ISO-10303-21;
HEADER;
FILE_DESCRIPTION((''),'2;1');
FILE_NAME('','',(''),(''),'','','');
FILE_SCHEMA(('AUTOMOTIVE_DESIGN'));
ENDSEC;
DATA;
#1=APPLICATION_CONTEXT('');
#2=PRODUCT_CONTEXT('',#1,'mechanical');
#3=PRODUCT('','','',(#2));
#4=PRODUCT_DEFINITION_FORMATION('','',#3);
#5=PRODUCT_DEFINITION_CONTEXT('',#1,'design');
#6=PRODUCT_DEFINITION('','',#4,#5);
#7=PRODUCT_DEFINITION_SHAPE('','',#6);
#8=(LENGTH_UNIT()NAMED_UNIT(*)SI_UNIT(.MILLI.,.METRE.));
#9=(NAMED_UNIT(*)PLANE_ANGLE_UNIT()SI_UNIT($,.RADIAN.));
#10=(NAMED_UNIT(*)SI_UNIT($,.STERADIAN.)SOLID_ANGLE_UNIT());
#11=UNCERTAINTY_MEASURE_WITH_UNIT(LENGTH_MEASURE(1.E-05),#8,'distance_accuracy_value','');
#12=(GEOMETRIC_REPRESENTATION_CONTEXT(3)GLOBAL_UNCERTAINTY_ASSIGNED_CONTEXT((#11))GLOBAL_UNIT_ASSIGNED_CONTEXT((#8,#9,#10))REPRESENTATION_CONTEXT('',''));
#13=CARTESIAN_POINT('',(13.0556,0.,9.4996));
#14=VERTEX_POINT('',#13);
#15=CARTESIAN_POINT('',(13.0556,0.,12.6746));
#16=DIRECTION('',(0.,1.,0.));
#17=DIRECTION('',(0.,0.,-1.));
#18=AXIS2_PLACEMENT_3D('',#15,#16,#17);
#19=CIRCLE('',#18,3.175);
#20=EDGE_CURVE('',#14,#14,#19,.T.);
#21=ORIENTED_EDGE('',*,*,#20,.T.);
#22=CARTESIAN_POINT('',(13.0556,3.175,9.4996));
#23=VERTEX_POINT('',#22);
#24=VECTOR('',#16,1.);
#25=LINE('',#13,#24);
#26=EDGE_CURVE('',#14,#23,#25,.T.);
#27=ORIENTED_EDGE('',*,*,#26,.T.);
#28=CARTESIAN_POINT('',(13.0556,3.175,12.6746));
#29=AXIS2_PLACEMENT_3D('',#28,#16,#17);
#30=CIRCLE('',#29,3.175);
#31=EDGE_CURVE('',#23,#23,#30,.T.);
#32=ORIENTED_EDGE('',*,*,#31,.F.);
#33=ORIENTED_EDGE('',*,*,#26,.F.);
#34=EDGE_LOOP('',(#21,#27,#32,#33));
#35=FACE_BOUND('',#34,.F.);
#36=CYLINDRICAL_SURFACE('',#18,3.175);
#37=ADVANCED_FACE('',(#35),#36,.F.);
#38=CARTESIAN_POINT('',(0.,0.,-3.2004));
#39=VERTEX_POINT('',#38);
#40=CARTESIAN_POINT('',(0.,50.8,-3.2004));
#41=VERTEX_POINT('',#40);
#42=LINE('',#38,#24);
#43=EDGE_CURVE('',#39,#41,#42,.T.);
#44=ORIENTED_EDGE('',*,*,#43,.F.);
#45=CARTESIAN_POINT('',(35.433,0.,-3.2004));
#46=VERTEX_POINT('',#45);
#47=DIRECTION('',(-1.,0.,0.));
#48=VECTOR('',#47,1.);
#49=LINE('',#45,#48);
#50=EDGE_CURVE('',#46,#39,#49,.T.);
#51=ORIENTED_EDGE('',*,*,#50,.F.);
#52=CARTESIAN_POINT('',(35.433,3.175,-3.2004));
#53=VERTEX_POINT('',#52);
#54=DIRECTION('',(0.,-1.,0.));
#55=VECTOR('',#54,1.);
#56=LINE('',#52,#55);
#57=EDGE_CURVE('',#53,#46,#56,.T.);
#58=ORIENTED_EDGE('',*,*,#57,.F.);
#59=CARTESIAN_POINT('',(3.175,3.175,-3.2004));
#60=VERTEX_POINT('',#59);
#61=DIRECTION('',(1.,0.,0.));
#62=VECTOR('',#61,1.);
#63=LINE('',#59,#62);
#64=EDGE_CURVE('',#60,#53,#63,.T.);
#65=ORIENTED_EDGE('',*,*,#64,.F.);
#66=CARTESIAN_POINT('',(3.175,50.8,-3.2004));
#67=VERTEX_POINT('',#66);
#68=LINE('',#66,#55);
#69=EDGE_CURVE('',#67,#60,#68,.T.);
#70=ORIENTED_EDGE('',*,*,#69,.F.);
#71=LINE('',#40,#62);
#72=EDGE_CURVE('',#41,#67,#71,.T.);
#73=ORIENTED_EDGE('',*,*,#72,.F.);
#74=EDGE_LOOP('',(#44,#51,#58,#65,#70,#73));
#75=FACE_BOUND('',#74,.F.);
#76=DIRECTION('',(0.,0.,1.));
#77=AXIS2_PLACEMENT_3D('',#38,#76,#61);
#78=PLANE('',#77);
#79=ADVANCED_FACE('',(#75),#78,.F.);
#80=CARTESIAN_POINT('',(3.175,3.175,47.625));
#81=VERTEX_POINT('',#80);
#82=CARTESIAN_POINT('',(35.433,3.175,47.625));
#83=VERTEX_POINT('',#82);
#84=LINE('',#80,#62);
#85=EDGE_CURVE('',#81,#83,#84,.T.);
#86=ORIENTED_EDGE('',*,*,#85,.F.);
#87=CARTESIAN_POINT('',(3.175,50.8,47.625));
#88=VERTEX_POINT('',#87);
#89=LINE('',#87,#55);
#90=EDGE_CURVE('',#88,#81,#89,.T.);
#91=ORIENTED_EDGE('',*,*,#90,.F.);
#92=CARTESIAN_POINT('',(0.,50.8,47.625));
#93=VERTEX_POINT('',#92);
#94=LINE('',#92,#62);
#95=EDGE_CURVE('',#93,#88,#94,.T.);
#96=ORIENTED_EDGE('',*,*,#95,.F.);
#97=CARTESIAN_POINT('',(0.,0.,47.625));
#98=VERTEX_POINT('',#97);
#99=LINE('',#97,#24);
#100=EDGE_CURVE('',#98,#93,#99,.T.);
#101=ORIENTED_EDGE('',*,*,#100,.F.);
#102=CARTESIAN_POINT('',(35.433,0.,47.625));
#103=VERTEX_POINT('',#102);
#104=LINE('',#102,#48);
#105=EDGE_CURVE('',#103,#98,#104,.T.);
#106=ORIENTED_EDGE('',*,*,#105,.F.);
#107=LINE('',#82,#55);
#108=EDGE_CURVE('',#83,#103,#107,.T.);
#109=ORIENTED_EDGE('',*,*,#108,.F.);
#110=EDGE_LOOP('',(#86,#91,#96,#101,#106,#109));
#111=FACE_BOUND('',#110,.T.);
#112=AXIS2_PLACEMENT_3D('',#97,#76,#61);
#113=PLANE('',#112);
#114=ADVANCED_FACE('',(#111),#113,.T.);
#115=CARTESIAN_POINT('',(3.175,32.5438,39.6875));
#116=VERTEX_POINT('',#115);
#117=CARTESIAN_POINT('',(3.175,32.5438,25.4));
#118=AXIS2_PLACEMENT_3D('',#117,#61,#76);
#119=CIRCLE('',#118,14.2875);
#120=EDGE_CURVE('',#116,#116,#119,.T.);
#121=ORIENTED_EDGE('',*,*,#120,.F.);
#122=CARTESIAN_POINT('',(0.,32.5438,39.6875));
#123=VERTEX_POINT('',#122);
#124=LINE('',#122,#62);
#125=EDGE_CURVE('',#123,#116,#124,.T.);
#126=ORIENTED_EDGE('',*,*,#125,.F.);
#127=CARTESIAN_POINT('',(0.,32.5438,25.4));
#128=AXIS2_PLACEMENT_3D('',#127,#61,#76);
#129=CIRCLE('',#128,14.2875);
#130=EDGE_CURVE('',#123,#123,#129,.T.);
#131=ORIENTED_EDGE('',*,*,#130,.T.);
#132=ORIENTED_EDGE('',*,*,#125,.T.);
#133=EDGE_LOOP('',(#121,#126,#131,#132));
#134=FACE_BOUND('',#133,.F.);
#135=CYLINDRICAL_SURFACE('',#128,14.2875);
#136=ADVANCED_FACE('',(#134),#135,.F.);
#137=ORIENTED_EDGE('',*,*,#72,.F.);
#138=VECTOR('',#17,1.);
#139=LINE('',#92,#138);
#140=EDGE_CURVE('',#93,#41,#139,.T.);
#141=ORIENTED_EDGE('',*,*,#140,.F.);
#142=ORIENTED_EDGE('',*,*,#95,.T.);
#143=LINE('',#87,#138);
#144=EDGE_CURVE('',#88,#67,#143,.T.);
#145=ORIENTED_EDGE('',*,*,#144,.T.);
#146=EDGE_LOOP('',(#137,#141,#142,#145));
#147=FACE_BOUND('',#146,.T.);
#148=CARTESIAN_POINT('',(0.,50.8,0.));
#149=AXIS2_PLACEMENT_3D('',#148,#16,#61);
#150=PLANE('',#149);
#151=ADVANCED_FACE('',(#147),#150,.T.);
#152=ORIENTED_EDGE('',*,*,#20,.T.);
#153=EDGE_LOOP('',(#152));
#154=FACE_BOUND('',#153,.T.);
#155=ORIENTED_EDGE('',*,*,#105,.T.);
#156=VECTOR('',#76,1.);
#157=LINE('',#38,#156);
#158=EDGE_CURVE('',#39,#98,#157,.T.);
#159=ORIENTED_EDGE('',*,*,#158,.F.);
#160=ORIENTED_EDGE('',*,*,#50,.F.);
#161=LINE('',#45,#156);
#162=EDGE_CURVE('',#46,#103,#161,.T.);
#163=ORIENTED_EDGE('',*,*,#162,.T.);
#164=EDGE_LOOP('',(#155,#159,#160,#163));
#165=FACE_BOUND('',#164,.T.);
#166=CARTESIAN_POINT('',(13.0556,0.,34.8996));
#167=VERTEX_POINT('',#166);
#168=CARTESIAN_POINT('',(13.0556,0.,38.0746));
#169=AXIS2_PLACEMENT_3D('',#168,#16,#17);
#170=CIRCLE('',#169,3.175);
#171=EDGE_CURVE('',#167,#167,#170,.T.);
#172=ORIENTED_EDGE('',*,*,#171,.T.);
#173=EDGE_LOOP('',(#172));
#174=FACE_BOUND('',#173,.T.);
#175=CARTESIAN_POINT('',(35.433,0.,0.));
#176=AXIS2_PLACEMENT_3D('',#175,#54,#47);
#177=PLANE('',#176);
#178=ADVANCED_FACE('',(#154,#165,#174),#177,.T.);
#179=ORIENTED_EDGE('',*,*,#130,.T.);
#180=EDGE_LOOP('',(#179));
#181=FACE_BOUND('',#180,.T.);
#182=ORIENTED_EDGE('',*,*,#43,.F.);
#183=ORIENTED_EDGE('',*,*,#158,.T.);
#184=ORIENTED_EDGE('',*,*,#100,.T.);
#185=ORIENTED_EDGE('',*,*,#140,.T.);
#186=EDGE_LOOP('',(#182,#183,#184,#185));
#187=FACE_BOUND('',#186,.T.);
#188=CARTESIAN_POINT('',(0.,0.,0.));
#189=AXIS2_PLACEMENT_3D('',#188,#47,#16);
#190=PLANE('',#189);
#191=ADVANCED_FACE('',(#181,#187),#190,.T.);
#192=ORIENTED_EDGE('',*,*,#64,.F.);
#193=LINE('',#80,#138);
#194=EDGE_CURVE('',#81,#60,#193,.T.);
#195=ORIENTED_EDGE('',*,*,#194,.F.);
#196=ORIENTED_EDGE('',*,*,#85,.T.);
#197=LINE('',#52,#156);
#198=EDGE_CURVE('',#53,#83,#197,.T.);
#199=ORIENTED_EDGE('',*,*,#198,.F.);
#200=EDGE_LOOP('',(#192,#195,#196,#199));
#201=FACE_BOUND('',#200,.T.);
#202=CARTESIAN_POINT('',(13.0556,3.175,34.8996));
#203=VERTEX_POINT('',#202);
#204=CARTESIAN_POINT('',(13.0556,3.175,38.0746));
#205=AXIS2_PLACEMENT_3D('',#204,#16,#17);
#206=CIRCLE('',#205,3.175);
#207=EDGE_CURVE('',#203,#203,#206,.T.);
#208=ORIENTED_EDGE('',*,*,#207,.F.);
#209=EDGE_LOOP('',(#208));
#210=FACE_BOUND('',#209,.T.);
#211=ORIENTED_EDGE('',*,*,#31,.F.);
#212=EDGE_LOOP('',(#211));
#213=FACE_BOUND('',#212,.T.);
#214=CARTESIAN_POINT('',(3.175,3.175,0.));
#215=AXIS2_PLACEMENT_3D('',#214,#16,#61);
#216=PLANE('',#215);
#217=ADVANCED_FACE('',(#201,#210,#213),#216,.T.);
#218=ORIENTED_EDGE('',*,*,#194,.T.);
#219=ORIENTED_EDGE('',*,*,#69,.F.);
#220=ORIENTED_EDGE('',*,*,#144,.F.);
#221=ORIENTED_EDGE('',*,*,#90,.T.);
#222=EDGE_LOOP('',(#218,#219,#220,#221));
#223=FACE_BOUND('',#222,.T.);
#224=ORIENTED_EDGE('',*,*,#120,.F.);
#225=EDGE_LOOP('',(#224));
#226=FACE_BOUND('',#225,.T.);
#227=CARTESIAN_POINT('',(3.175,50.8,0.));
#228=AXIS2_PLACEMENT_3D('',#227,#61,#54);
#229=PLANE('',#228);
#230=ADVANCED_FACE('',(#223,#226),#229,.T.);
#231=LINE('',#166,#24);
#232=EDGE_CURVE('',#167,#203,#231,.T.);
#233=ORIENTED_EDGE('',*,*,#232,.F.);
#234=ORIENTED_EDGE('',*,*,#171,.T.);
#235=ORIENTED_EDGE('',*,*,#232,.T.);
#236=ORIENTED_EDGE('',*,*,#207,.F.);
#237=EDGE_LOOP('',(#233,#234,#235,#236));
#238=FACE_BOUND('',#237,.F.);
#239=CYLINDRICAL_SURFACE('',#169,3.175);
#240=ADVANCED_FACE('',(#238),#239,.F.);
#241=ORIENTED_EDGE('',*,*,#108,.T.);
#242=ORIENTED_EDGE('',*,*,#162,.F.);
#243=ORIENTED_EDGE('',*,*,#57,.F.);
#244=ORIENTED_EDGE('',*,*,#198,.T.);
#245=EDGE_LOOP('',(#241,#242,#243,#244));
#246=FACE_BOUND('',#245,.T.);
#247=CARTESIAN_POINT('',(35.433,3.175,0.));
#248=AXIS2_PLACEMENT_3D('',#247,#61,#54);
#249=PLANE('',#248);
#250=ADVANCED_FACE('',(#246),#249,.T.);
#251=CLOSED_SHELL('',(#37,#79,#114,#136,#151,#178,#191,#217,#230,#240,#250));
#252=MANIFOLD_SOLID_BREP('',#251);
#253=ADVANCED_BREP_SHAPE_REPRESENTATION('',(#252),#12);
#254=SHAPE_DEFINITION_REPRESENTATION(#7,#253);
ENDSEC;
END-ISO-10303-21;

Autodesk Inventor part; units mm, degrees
ref_plane "YZ Plane" through (0, 0, 0) normal (1, 0, 0) x (0, 1, 0)
ref_plane "XZ Plane" through (0, 0, 0) normal (0, 1, 0) x (-1, 0, 0)
ref_plane "XY Plane" through (0, 0, 0) normal (0, 0, 1) x (1, 0, 0)
sketch "Sketch1" plane through (0, 0, 0) normal (0, 0, 1) x (1, 0, 0)
  line L0 (0, 0) -> (0, 50.8)
  line L1 (0, 50.8) -> (3.175, 50.8)
  line L2 (3.175, 50.8) -> (3.175, 3.175)
  line L3 (3.175, 3.175) -> (35.433, 3.175)
  line L4 (35.433, 3.175) -> (35.433, 0)
  line L5 (35.433, 0) -> (0, 0)
  dimension "d0" = 50.8
  dimension "d1" = 35.433
  dimension "d2" = 3.175
  dimension "d3" = 3.175
extrude "Extrusion1" add sketch "Sketch1" along normal blind 47.625 and the other way blind 3.2004
sketch "Sketch2" plane through (0, 0, -3.2004) normal (-1, 0, 0) x (0, 0, 1)
  line L0 (0, 0) -> (0, 50.8) projected
  line L1 (0, 0) -> (50.8254, 0) projected
  line L2 (50.8254, 50.8) -> (50.8254, 0) projected
  line L3 (50.8254, 50.8) -> (0, 50.8) projected
  point P0 (3.2004, 0)
  point P1 (28.6004, 32.5438)
  dimension "d6" = 28.6004
  dimension "d8" = 32.5438
hole "Hole1" at (0, 32.5438, 25.4) direction (1, 0, 0) diameter 28.575 end through all
sketch "Sketch4" plane through (0, 0, 47.625) normal (0, -1, 0) x (1, 0, 0)
  line L0 (35.433, -50.8254) -> (0, -50.8254) projected
  line L1 (35.433, 0) -> (35.433, -50.8254) projected
  point P0 (0, -47.625)
  point P1 (13.0556, -34.9504)
  point P2 (13.0556, -9.5504)
  dimension "d29" = 15.875
  dimension "d30" = 22.3774
  dimension "d31" = 25.4
  dimension "d32" = 22.3774
hole "Hole3" at (13.0556, 0, 12.6746) at (13.0556, 0, 38.0746) direction (0, 1, 0) diameter 6.35 end through all
equation "\"d3\" = d2"
properties part number "CLB_090_ClimberMotorBearingBracket" material "Aluminum 6061"
